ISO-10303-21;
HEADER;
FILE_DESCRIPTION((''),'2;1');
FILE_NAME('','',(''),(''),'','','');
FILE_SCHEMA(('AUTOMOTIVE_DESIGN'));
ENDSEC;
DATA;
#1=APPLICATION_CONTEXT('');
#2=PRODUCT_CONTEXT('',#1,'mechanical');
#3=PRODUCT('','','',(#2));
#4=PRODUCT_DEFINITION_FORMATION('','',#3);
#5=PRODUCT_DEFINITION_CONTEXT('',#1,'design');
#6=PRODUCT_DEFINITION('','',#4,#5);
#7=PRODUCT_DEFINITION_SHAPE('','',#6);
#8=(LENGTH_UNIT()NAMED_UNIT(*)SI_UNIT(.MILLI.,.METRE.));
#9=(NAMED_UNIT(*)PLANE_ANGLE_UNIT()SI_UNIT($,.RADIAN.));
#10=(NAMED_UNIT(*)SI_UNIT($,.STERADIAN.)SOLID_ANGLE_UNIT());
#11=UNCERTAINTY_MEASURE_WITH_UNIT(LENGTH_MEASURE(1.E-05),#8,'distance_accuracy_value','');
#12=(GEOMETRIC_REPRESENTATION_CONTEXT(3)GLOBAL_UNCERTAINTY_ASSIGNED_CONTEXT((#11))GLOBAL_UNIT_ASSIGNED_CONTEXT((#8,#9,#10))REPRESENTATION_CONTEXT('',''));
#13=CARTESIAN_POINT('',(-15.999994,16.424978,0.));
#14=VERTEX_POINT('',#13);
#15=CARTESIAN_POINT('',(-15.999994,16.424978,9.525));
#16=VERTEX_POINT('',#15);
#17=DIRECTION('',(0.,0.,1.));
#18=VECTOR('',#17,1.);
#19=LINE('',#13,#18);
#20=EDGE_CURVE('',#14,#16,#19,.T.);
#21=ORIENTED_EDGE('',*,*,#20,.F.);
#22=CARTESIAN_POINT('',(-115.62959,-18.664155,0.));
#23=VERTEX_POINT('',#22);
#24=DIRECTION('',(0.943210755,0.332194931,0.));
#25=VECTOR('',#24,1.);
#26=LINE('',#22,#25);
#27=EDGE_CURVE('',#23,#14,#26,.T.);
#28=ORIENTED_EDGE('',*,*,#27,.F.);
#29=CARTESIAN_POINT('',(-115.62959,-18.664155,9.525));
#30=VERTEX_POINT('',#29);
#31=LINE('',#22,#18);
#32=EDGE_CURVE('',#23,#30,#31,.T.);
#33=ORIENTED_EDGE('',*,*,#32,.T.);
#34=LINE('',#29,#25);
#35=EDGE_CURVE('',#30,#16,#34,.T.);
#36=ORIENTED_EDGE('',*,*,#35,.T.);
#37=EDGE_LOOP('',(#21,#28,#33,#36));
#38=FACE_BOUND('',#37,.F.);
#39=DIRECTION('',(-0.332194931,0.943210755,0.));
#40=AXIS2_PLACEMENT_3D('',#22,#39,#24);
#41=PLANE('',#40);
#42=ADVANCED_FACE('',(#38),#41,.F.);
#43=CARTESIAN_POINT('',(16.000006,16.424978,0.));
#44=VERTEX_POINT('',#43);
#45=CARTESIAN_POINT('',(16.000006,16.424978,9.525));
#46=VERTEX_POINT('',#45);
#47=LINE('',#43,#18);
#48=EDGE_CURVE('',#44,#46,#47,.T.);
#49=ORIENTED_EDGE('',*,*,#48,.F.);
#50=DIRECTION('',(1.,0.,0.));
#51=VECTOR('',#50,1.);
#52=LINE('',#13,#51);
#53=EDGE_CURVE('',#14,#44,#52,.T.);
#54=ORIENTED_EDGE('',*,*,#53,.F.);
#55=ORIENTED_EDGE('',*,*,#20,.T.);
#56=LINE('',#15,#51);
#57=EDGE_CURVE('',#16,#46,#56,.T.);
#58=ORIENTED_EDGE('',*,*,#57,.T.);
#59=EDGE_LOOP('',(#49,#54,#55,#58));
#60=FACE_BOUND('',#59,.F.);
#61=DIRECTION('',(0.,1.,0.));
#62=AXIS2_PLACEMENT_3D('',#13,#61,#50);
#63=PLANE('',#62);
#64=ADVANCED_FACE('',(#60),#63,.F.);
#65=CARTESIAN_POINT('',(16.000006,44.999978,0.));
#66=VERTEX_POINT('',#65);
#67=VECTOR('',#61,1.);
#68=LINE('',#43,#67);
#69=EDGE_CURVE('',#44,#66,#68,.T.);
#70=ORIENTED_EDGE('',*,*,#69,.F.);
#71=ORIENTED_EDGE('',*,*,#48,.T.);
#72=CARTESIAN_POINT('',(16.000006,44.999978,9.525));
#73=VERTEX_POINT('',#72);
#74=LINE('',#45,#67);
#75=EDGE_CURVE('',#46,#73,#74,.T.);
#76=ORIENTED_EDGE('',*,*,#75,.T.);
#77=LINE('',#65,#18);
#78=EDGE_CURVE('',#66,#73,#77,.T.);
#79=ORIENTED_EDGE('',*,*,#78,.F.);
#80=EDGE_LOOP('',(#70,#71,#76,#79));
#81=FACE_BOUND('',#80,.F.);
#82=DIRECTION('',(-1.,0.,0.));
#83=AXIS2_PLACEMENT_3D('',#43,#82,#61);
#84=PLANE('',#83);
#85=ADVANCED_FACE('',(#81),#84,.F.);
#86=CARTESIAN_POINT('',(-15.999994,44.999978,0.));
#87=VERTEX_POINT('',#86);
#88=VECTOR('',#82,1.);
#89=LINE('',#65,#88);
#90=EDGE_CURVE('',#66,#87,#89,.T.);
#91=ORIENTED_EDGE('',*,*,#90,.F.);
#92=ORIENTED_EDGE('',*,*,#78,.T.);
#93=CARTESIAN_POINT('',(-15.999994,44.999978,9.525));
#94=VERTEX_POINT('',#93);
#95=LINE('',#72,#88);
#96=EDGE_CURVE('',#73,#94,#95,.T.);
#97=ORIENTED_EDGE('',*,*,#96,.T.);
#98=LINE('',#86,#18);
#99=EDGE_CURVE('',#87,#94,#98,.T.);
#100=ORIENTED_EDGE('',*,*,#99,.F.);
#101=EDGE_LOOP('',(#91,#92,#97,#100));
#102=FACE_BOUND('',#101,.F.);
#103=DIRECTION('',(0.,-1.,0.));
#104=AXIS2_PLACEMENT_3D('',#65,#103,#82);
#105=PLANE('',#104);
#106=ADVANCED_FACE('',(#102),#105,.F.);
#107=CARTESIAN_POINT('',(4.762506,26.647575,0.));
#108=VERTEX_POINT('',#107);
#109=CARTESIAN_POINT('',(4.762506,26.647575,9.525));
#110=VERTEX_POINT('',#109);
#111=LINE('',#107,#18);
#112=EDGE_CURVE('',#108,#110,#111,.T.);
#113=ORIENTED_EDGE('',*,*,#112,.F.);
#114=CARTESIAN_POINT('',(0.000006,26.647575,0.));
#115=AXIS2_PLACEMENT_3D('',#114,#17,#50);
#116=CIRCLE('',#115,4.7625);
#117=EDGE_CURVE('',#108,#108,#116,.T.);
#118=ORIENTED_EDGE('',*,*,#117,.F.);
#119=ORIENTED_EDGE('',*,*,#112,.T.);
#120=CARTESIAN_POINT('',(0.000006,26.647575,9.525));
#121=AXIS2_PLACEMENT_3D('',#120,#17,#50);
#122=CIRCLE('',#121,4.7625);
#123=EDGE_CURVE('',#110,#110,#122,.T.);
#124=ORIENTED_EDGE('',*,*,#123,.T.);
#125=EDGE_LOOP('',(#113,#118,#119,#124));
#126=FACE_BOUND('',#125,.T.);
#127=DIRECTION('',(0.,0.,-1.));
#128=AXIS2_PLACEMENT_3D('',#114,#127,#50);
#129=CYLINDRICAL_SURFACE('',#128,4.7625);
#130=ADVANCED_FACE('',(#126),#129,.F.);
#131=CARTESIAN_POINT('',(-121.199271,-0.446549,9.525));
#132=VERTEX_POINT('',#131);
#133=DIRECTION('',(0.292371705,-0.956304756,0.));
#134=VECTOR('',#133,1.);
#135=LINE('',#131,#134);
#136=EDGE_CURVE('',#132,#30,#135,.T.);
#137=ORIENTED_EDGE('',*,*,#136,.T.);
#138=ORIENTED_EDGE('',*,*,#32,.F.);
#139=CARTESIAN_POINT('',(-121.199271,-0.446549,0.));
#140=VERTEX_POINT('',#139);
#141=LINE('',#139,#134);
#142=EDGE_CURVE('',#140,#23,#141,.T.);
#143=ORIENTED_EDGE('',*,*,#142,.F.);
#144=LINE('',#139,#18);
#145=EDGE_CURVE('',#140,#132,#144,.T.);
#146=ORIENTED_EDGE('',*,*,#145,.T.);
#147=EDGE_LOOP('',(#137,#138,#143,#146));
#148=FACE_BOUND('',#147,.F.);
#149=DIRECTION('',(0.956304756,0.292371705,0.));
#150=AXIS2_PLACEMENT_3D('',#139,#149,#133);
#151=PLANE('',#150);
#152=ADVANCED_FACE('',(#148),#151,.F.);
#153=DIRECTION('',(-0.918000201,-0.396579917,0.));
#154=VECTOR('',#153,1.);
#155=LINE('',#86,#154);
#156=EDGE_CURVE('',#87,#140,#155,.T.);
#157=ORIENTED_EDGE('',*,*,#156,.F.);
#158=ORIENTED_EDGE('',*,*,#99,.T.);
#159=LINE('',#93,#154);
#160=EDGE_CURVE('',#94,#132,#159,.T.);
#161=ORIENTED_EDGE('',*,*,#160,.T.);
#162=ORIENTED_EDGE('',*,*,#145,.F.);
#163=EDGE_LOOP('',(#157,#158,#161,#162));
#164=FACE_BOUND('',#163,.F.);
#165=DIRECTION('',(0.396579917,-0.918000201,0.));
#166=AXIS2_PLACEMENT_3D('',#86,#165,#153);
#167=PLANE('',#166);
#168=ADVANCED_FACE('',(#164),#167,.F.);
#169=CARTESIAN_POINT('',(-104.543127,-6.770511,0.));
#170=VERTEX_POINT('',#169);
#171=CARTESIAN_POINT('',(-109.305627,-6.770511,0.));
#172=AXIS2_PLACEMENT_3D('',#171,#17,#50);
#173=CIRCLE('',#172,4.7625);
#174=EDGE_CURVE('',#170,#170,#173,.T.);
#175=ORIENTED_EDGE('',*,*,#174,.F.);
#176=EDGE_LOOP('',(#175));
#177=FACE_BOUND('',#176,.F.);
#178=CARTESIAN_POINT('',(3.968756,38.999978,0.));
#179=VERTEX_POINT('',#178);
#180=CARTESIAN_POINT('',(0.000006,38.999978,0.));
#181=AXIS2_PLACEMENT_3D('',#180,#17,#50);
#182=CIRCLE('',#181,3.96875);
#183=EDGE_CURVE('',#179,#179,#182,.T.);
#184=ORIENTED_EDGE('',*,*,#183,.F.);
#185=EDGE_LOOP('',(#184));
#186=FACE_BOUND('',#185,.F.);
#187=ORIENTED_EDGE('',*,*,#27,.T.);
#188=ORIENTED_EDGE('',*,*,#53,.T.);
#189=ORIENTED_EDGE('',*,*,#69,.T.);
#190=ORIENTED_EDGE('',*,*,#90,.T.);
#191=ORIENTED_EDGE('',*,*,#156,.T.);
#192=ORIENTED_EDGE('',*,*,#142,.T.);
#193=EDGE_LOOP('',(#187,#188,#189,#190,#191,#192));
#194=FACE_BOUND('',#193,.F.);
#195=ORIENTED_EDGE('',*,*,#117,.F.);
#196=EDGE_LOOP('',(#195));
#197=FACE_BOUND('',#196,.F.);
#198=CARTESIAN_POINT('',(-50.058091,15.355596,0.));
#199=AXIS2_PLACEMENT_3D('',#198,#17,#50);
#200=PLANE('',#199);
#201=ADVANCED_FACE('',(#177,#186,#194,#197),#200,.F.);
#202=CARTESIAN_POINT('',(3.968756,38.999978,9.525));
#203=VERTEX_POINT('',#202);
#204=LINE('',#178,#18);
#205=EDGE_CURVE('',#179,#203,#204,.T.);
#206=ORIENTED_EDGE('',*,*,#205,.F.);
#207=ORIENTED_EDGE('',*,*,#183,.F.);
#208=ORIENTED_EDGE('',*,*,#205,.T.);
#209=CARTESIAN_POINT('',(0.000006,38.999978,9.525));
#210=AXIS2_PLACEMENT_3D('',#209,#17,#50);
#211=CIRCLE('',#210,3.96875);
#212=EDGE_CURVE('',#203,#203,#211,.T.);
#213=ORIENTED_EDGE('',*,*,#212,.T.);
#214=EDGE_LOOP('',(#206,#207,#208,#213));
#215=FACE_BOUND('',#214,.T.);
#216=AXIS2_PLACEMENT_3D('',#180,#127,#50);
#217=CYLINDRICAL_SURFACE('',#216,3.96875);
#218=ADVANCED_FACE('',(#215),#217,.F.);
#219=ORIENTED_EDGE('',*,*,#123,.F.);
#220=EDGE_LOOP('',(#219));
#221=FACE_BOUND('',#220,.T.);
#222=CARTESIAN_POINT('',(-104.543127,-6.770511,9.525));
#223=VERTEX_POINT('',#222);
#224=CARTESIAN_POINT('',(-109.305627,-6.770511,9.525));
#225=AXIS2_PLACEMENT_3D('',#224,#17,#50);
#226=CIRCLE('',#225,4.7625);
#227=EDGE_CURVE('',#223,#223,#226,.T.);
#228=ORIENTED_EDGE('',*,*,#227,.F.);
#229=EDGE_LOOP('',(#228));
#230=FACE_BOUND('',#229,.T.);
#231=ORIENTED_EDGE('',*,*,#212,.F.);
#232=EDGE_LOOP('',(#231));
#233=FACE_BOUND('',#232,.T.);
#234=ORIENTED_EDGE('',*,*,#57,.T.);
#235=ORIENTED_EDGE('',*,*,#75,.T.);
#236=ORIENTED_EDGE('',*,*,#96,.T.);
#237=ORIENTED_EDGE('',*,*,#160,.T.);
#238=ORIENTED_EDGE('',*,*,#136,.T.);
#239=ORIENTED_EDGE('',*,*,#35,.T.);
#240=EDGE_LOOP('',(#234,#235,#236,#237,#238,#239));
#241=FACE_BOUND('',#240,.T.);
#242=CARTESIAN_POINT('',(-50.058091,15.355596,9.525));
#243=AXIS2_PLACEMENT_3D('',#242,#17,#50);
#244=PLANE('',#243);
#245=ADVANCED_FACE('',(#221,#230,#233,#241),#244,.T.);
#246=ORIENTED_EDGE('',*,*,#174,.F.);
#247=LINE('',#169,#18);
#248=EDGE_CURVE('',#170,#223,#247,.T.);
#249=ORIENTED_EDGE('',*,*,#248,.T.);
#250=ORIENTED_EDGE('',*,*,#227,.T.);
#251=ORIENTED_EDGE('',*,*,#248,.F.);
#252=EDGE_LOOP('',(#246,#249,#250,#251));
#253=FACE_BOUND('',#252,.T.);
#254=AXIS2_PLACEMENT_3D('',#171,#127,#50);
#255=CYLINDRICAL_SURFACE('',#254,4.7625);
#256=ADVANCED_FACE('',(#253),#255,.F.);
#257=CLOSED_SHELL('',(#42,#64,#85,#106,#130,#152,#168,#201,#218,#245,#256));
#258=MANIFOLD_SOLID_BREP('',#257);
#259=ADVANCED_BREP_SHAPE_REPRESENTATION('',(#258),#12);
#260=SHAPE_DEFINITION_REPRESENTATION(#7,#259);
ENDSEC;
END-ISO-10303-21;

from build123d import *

# Parameters (mm, degrees)
SKETCH1_R           = 3.96875
SKETCH1_R_2         = 4.762500002
BOSS_EXTRUDE1_DEPTH = 9.525


with BuildPart() as part:
    # Sketch1 → Boss-Extrude1 (new body)
    with BuildSketch(Plane.XY):
        Polygon((-15.999993773, 44.99997758), (-121.199270656, -0.446548924), (-115.629589681, -18.664154525), (-15.999993773, 16.42497758), (16.000006227, 16.42497758), (16.000006227, 44.99997758), align=None)
        with Locations((6.227e-06, 38.99997758)):
            Circle(SKETCH1_R, mode=Mode.SUBTRACT)
        with Locations((6.239e-06, 26.647574613)):
            Circle(SKETCH1_R_2, mode=Mode.SUBTRACT)
        with Locations((-109.305627368, -6.770511237)):
            Circle(SKETCH1_R_2, mode=Mode.SUBTRACT)
    extrude(amount=BOSS_EXTRUDE1_DEPTH)


solid = part.part
